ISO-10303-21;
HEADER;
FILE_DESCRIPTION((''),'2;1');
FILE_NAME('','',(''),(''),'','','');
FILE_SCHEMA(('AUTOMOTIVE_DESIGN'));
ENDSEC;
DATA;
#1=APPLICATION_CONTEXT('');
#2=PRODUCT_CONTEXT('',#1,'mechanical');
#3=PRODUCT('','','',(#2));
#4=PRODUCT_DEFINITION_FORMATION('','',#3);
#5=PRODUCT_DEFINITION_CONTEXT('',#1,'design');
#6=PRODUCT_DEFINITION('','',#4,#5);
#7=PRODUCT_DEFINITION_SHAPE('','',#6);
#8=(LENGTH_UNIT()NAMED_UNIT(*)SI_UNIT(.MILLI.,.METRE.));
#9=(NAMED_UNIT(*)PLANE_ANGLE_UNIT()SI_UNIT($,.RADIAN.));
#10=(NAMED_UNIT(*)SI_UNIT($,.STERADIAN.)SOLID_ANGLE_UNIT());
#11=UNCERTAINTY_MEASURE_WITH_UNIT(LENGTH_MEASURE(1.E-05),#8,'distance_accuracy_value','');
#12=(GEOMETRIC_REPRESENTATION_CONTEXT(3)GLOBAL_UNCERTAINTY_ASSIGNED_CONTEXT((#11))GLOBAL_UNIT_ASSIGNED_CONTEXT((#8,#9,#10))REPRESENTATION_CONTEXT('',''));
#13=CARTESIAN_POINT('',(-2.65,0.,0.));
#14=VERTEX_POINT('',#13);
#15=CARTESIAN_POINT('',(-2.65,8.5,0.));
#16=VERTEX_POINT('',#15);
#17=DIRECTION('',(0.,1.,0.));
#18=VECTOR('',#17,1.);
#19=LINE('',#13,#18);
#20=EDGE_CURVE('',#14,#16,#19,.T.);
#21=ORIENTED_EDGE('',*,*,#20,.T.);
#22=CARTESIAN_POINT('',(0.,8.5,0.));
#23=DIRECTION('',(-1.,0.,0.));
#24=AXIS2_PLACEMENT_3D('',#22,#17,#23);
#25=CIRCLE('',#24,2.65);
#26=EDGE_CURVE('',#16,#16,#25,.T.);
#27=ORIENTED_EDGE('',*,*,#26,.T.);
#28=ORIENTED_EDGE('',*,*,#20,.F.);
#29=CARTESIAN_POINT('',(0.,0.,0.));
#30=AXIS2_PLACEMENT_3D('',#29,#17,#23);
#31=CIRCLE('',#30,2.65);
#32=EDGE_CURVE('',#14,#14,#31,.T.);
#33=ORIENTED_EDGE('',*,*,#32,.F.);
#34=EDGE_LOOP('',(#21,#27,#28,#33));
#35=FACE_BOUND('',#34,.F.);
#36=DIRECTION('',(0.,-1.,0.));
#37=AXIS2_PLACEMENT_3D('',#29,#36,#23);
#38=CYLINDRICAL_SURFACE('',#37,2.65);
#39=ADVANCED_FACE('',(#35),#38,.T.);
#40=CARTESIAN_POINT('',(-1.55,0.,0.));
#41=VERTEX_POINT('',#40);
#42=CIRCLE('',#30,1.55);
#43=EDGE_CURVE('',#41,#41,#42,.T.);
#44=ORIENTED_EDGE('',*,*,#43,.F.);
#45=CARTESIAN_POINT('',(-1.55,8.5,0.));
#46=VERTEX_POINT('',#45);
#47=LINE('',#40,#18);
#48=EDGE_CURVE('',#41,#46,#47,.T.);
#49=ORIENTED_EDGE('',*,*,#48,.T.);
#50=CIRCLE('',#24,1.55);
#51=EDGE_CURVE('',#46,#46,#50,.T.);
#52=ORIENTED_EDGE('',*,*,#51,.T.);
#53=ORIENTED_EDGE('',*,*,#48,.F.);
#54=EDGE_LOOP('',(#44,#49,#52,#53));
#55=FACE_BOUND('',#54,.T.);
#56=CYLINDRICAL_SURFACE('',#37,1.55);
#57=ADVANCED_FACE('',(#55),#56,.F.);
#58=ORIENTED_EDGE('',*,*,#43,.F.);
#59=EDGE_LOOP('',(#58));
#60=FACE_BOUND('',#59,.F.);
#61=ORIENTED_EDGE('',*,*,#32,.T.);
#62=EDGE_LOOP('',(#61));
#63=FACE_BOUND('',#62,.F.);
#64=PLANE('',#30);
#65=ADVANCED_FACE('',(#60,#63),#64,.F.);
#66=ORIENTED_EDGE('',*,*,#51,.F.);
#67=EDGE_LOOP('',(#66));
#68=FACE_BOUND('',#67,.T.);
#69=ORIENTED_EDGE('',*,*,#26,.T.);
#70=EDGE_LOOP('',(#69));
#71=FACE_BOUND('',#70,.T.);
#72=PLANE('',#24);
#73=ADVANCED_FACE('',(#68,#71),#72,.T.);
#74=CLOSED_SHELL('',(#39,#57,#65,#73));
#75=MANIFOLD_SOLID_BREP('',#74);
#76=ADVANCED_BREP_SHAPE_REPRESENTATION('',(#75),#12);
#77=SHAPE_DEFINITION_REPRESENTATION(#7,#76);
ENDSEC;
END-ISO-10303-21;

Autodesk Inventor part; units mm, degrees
ref_plane "YZ Plane" through (0, 0, 0) normal (1, 0, 0) x (0, 1, 0)
ref_plane "XZ Plane" through (0, 0, 0) normal (0, 1, 0) x (-1, 0, 0)
ref_plane "XY Plane" through (0, 0, 0) normal (0, 0, 1) x (1, 0, 0)
sketch "Sketch1" plane through (0, 0, 0) normal (0, 1, 0) x (-1, 0, 0)
  circle A0 centre (0, 0) radius 1.55
  circle A1 centre (0, 0) radius 2.65
  dimension "d0" = 3.1
  dimension "d1" = 1.1
extrude "Extrusion1" add sketch "Sketch1" along normal blind 8.5
properties part number "meteostanica distancny stlpik"
